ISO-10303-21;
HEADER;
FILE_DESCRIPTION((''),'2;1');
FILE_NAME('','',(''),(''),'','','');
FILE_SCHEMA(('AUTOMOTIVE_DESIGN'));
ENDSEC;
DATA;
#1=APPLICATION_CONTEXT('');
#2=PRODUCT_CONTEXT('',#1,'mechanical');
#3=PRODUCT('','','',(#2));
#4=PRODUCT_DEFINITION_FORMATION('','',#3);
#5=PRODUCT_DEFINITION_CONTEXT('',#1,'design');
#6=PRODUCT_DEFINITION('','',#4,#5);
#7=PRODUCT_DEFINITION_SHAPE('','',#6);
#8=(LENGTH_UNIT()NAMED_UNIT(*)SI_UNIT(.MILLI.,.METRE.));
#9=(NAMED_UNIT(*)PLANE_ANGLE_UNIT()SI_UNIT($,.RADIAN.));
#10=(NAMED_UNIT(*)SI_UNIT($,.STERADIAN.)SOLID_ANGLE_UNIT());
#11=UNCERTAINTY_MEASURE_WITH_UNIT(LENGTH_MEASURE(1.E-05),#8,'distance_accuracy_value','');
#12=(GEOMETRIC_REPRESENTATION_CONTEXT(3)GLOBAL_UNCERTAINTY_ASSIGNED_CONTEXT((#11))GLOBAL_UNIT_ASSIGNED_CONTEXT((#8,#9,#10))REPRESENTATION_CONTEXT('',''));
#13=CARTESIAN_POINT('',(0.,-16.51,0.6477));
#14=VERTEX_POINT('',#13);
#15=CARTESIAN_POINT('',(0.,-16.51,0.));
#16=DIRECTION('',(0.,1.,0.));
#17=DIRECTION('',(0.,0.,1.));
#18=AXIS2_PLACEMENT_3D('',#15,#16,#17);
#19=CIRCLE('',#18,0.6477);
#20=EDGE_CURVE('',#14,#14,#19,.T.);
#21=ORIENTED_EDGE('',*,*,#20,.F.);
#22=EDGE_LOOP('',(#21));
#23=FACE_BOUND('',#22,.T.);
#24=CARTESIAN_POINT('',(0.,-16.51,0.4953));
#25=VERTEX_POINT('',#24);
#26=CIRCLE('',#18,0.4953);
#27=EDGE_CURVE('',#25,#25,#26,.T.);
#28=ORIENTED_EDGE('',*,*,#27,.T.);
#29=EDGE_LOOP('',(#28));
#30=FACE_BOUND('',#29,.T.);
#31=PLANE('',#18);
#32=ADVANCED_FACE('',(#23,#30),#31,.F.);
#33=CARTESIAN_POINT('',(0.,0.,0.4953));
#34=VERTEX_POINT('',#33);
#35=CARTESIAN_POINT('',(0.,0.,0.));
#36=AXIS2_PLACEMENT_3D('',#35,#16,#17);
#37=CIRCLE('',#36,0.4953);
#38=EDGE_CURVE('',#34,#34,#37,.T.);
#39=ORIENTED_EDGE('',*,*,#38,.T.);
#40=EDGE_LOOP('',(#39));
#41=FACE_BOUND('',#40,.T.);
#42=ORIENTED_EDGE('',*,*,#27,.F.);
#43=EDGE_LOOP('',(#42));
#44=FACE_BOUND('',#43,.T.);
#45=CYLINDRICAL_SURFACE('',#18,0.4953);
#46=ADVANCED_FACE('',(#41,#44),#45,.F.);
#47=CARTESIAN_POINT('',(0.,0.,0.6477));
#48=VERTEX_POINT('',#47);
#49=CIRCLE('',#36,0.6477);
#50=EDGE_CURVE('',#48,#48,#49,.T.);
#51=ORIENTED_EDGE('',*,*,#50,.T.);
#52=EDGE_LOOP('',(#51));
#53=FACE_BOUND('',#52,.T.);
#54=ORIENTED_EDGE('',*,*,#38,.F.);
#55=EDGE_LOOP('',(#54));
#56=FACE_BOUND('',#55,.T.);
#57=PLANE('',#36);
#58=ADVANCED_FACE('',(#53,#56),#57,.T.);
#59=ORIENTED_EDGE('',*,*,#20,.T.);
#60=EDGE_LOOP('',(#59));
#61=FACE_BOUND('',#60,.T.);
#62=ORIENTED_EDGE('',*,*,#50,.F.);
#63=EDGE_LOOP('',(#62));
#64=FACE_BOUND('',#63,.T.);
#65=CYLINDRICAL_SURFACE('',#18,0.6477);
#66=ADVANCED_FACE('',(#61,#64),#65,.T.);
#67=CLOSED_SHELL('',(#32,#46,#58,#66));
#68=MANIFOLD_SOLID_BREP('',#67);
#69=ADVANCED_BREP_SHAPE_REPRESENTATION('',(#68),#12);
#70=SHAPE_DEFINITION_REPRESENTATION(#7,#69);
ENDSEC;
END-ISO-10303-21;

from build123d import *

# Parameters (mm, degrees)
SKETCH1_R    = 0.6477
SKETCH1_R_2  = 0.4953
NEEDLE_DEPTH = 16.51


with BuildPart() as part:
    # Sketch1 → Needle (new body)
    with BuildSketch(Plane(origin=(0, 0, 0), x_dir=(1, 0, 0), z_dir=(0, 1, 0))):
        with Locations(Location((0, 0, 0), (0, 0, 270))):
            Circle(SKETCH1_R)
        with Locations(Location((0, 0, 0), (0, 0, 270))):
            Circle(SKETCH1_R_2, mode=Mode.SUBTRACT)
    extrude(amount=-NEEDLE_DEPTH)


solid = part.part
